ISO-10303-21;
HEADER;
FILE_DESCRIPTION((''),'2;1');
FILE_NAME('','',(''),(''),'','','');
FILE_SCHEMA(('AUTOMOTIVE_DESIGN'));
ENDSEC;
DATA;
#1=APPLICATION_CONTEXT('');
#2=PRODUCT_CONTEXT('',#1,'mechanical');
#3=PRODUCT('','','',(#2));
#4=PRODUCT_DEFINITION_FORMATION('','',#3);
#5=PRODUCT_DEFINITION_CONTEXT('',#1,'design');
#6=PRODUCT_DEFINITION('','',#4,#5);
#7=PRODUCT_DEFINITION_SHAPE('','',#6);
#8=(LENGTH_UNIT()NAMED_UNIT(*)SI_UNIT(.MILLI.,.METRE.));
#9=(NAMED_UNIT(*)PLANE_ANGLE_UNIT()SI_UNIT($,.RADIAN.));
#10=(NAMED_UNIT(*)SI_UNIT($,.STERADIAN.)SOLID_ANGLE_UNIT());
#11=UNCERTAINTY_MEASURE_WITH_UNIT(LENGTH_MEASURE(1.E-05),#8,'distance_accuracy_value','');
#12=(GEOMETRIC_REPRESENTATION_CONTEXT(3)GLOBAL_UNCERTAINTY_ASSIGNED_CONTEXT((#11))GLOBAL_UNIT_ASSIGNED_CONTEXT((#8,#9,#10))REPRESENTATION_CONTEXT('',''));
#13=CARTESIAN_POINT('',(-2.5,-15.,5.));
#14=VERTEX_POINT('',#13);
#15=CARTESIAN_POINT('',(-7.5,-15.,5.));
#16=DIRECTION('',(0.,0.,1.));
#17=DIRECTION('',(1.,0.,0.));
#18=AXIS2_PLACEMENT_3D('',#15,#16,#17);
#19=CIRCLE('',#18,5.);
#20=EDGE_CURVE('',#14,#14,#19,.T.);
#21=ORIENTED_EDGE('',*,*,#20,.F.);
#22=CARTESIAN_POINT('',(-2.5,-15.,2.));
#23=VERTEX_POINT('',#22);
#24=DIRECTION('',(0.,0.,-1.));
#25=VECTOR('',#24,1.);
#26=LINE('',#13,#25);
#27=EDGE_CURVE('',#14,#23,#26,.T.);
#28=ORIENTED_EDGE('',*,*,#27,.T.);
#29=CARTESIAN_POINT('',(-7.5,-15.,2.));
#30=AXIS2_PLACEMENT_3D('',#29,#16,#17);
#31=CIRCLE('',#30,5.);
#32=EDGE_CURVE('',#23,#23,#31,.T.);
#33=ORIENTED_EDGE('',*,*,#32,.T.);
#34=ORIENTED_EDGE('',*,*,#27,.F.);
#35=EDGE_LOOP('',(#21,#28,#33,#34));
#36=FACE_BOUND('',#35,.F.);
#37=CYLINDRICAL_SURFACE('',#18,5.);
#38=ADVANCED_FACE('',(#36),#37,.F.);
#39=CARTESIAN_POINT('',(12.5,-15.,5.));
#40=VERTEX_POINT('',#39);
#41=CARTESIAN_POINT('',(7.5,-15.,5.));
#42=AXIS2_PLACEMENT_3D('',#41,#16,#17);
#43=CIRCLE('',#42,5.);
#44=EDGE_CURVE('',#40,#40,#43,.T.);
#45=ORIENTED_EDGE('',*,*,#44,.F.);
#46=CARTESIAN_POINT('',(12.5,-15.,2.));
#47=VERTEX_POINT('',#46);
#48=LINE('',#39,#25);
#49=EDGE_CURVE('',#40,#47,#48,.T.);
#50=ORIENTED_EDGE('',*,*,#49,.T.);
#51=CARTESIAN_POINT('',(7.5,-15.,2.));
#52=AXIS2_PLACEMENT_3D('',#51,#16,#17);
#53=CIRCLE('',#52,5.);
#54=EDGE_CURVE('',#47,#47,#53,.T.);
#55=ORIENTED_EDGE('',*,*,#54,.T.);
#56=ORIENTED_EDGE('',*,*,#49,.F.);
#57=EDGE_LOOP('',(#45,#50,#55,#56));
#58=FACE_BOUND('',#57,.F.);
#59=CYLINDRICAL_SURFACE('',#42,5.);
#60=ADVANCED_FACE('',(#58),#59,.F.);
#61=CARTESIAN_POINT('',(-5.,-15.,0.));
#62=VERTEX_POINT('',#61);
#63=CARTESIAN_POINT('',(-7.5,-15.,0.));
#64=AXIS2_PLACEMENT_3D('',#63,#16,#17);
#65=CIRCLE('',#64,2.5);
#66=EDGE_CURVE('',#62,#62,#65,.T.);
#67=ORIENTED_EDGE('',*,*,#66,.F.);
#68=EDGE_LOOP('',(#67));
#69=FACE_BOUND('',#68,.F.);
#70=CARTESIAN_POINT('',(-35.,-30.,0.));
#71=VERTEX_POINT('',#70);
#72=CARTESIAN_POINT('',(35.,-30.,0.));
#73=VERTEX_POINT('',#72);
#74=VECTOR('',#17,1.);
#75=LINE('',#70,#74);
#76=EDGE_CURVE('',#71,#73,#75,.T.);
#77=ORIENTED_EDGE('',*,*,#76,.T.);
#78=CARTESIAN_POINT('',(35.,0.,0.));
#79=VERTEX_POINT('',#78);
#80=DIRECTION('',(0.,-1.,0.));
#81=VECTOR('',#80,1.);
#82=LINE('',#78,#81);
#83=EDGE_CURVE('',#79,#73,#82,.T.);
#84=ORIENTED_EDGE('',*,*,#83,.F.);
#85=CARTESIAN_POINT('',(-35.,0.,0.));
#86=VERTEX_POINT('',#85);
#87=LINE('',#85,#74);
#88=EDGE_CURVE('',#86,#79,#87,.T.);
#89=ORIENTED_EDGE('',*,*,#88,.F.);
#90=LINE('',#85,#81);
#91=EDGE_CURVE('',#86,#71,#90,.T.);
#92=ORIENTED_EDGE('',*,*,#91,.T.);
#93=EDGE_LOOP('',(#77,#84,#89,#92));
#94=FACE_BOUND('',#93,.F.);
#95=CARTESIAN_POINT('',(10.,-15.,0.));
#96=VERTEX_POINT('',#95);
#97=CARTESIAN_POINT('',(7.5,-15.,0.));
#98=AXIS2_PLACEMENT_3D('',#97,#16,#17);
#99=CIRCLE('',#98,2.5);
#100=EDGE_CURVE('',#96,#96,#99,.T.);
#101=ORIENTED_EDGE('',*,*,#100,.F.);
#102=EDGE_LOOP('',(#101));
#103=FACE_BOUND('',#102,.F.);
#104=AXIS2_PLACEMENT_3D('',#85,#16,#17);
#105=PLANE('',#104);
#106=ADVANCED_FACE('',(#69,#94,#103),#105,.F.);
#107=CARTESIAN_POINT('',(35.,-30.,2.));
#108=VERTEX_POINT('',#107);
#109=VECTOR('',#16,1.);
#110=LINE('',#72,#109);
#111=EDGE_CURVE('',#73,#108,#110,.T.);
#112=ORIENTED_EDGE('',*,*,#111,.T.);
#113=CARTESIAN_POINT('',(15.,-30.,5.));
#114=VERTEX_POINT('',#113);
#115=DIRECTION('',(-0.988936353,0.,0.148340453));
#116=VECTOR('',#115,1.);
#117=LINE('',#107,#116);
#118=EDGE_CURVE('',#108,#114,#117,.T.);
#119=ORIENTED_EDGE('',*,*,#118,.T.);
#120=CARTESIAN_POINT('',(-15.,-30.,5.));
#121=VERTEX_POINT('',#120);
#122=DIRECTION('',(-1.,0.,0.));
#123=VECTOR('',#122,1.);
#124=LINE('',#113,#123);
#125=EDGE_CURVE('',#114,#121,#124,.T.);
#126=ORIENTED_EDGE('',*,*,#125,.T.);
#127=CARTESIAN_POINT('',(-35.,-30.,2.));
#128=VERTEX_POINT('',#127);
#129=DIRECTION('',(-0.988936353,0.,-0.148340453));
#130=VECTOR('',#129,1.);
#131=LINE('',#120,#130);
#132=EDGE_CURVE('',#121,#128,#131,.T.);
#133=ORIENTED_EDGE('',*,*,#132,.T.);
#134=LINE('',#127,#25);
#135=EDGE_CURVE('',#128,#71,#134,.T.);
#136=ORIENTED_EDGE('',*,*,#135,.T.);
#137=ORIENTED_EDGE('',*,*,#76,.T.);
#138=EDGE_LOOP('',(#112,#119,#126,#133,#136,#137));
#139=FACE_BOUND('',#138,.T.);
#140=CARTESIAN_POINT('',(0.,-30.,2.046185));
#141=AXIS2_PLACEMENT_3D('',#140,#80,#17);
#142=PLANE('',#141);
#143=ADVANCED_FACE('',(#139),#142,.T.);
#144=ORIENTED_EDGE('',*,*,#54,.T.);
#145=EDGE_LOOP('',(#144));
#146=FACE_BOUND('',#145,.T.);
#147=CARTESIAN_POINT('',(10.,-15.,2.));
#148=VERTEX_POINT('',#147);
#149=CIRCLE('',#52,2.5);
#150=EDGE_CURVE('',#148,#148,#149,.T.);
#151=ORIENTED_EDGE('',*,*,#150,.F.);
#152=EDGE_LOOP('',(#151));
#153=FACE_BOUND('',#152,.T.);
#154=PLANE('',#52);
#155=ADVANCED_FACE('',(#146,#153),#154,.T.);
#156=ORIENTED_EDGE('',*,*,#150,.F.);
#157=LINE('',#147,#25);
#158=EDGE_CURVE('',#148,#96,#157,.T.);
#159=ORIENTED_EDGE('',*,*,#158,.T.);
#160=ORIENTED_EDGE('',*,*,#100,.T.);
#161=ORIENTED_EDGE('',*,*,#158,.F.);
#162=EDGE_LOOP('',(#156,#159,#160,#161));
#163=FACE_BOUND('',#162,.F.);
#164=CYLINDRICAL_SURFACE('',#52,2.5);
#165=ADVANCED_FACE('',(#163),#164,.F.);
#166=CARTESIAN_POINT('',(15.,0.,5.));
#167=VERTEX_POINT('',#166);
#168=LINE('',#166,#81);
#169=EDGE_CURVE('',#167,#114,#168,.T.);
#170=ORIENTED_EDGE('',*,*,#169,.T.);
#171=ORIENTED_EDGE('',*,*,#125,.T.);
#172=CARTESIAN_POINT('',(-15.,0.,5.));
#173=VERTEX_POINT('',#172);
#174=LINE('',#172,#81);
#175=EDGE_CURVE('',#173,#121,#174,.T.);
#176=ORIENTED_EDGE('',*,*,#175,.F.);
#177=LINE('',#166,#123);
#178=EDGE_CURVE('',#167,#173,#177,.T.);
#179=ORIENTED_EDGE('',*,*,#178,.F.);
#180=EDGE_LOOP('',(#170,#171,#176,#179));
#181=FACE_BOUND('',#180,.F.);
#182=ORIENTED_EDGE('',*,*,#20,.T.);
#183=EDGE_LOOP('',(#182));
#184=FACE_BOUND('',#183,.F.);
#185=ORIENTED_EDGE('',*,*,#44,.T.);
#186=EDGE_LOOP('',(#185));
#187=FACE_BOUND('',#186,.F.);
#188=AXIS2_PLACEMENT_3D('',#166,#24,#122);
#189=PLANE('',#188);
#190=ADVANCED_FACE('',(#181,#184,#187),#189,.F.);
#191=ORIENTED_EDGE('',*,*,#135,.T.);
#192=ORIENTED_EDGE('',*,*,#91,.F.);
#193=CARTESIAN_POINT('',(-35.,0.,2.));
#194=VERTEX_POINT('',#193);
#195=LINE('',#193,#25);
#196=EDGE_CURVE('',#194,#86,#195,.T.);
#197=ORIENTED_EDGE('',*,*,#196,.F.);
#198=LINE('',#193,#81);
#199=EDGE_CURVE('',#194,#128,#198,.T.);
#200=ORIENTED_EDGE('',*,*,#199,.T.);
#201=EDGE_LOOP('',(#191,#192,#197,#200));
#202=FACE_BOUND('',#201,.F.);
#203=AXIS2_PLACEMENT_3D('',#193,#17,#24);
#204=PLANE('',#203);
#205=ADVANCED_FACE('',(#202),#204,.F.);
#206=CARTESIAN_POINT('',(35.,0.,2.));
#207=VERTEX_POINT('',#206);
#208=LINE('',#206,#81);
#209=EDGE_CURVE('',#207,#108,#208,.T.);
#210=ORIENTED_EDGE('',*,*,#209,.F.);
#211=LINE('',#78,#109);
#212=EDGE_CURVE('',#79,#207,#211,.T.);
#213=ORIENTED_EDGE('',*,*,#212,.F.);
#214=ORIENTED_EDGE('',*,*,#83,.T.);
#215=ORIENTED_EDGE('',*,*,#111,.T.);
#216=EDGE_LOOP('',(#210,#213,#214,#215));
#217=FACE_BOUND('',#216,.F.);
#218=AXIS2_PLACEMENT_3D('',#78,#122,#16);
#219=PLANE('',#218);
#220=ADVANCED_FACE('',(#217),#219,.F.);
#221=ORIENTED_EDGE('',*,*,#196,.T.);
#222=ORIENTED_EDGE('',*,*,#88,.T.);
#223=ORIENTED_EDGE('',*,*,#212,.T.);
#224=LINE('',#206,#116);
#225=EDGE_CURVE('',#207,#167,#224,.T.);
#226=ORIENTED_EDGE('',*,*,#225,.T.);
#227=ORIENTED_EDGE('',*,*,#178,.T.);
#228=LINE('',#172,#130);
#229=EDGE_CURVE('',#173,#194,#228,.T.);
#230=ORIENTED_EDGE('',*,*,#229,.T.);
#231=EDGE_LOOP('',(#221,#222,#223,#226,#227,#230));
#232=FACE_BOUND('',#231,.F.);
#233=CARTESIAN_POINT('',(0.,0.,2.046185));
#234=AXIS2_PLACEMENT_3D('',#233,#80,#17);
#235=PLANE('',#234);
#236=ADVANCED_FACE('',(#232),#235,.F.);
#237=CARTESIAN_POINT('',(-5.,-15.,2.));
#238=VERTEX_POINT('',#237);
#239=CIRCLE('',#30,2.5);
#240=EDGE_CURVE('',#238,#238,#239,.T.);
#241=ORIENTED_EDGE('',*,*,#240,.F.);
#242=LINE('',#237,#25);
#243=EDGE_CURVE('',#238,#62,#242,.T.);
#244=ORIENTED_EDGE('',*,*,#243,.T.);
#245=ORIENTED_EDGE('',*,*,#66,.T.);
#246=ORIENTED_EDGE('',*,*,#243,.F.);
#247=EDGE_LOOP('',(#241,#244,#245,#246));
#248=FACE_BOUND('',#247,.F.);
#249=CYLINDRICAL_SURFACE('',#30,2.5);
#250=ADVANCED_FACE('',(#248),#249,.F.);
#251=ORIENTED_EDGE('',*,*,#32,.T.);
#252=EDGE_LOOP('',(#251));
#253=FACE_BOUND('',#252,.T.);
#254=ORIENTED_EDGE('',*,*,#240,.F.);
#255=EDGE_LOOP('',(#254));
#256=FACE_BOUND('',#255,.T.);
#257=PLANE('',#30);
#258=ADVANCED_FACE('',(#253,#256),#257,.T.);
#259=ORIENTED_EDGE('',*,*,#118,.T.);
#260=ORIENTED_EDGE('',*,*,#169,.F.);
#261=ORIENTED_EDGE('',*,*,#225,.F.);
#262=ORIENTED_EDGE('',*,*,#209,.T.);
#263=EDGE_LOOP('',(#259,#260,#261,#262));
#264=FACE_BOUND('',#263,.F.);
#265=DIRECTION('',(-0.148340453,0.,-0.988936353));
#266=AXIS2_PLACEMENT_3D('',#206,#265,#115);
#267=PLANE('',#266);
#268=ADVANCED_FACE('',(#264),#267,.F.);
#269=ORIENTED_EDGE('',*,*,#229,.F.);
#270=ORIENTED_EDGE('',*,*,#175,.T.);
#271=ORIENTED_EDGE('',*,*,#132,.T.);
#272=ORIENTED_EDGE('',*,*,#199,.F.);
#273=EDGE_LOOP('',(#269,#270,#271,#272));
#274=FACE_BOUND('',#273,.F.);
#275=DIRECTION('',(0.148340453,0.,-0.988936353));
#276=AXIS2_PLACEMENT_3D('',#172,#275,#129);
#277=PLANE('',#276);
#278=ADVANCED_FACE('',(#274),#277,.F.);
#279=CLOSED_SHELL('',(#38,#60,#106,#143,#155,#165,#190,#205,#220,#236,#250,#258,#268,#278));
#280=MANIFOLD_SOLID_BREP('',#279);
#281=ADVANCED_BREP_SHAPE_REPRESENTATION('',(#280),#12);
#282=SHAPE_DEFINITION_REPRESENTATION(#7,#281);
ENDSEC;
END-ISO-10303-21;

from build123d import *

# Parameters (mm, degrees)
F1_DEPTH = 30
F2_R     = 5
F3_DEPTH = 3
F4_R     = 2.5
F5_DEPTH = 10
F6_R     = 2.5
F7_DEPTH = 25


with BuildPart() as f1:
    # F0 (on Front) → F1 (new body)
    with BuildSketch(Plane.XZ):
        Polygon((-35, 0), (0, 0), (35, 0), (35, 2), (15, 5), (0, 5), (-15, 5), (-35, 2), align=None)
    extrude(amount=F1_DEPTH)

    # F2 (on face) → F3 (cut)
    with BuildSketch(Plane.XY.offset(5)):
        with Locations((-7.5, -15)):
            Circle(F2_R)
        with Locations((7.5, -15)):
            Circle(F2_R)
    extrude(amount=-F3_DEPTH, mode=Mode.SUBTRACT)

    # F4 (on face) → F5 (cut)
    with BuildSketch(Plane.XY.offset(2)):
        with Locations((-7.5, -15)):
            Circle(F4_R)
    extrude(amount=-F5_DEPTH, mode=Mode.SUBTRACT)

    # F6 (on face) → F7 (cut)
    with BuildSketch(Plane.XY.offset(2)):
        with Locations((7.5, -15)):
            Circle(F6_R)
    extrude(amount=-F7_DEPTH, mode=Mode.SUBTRACT)


solid = f1.part
